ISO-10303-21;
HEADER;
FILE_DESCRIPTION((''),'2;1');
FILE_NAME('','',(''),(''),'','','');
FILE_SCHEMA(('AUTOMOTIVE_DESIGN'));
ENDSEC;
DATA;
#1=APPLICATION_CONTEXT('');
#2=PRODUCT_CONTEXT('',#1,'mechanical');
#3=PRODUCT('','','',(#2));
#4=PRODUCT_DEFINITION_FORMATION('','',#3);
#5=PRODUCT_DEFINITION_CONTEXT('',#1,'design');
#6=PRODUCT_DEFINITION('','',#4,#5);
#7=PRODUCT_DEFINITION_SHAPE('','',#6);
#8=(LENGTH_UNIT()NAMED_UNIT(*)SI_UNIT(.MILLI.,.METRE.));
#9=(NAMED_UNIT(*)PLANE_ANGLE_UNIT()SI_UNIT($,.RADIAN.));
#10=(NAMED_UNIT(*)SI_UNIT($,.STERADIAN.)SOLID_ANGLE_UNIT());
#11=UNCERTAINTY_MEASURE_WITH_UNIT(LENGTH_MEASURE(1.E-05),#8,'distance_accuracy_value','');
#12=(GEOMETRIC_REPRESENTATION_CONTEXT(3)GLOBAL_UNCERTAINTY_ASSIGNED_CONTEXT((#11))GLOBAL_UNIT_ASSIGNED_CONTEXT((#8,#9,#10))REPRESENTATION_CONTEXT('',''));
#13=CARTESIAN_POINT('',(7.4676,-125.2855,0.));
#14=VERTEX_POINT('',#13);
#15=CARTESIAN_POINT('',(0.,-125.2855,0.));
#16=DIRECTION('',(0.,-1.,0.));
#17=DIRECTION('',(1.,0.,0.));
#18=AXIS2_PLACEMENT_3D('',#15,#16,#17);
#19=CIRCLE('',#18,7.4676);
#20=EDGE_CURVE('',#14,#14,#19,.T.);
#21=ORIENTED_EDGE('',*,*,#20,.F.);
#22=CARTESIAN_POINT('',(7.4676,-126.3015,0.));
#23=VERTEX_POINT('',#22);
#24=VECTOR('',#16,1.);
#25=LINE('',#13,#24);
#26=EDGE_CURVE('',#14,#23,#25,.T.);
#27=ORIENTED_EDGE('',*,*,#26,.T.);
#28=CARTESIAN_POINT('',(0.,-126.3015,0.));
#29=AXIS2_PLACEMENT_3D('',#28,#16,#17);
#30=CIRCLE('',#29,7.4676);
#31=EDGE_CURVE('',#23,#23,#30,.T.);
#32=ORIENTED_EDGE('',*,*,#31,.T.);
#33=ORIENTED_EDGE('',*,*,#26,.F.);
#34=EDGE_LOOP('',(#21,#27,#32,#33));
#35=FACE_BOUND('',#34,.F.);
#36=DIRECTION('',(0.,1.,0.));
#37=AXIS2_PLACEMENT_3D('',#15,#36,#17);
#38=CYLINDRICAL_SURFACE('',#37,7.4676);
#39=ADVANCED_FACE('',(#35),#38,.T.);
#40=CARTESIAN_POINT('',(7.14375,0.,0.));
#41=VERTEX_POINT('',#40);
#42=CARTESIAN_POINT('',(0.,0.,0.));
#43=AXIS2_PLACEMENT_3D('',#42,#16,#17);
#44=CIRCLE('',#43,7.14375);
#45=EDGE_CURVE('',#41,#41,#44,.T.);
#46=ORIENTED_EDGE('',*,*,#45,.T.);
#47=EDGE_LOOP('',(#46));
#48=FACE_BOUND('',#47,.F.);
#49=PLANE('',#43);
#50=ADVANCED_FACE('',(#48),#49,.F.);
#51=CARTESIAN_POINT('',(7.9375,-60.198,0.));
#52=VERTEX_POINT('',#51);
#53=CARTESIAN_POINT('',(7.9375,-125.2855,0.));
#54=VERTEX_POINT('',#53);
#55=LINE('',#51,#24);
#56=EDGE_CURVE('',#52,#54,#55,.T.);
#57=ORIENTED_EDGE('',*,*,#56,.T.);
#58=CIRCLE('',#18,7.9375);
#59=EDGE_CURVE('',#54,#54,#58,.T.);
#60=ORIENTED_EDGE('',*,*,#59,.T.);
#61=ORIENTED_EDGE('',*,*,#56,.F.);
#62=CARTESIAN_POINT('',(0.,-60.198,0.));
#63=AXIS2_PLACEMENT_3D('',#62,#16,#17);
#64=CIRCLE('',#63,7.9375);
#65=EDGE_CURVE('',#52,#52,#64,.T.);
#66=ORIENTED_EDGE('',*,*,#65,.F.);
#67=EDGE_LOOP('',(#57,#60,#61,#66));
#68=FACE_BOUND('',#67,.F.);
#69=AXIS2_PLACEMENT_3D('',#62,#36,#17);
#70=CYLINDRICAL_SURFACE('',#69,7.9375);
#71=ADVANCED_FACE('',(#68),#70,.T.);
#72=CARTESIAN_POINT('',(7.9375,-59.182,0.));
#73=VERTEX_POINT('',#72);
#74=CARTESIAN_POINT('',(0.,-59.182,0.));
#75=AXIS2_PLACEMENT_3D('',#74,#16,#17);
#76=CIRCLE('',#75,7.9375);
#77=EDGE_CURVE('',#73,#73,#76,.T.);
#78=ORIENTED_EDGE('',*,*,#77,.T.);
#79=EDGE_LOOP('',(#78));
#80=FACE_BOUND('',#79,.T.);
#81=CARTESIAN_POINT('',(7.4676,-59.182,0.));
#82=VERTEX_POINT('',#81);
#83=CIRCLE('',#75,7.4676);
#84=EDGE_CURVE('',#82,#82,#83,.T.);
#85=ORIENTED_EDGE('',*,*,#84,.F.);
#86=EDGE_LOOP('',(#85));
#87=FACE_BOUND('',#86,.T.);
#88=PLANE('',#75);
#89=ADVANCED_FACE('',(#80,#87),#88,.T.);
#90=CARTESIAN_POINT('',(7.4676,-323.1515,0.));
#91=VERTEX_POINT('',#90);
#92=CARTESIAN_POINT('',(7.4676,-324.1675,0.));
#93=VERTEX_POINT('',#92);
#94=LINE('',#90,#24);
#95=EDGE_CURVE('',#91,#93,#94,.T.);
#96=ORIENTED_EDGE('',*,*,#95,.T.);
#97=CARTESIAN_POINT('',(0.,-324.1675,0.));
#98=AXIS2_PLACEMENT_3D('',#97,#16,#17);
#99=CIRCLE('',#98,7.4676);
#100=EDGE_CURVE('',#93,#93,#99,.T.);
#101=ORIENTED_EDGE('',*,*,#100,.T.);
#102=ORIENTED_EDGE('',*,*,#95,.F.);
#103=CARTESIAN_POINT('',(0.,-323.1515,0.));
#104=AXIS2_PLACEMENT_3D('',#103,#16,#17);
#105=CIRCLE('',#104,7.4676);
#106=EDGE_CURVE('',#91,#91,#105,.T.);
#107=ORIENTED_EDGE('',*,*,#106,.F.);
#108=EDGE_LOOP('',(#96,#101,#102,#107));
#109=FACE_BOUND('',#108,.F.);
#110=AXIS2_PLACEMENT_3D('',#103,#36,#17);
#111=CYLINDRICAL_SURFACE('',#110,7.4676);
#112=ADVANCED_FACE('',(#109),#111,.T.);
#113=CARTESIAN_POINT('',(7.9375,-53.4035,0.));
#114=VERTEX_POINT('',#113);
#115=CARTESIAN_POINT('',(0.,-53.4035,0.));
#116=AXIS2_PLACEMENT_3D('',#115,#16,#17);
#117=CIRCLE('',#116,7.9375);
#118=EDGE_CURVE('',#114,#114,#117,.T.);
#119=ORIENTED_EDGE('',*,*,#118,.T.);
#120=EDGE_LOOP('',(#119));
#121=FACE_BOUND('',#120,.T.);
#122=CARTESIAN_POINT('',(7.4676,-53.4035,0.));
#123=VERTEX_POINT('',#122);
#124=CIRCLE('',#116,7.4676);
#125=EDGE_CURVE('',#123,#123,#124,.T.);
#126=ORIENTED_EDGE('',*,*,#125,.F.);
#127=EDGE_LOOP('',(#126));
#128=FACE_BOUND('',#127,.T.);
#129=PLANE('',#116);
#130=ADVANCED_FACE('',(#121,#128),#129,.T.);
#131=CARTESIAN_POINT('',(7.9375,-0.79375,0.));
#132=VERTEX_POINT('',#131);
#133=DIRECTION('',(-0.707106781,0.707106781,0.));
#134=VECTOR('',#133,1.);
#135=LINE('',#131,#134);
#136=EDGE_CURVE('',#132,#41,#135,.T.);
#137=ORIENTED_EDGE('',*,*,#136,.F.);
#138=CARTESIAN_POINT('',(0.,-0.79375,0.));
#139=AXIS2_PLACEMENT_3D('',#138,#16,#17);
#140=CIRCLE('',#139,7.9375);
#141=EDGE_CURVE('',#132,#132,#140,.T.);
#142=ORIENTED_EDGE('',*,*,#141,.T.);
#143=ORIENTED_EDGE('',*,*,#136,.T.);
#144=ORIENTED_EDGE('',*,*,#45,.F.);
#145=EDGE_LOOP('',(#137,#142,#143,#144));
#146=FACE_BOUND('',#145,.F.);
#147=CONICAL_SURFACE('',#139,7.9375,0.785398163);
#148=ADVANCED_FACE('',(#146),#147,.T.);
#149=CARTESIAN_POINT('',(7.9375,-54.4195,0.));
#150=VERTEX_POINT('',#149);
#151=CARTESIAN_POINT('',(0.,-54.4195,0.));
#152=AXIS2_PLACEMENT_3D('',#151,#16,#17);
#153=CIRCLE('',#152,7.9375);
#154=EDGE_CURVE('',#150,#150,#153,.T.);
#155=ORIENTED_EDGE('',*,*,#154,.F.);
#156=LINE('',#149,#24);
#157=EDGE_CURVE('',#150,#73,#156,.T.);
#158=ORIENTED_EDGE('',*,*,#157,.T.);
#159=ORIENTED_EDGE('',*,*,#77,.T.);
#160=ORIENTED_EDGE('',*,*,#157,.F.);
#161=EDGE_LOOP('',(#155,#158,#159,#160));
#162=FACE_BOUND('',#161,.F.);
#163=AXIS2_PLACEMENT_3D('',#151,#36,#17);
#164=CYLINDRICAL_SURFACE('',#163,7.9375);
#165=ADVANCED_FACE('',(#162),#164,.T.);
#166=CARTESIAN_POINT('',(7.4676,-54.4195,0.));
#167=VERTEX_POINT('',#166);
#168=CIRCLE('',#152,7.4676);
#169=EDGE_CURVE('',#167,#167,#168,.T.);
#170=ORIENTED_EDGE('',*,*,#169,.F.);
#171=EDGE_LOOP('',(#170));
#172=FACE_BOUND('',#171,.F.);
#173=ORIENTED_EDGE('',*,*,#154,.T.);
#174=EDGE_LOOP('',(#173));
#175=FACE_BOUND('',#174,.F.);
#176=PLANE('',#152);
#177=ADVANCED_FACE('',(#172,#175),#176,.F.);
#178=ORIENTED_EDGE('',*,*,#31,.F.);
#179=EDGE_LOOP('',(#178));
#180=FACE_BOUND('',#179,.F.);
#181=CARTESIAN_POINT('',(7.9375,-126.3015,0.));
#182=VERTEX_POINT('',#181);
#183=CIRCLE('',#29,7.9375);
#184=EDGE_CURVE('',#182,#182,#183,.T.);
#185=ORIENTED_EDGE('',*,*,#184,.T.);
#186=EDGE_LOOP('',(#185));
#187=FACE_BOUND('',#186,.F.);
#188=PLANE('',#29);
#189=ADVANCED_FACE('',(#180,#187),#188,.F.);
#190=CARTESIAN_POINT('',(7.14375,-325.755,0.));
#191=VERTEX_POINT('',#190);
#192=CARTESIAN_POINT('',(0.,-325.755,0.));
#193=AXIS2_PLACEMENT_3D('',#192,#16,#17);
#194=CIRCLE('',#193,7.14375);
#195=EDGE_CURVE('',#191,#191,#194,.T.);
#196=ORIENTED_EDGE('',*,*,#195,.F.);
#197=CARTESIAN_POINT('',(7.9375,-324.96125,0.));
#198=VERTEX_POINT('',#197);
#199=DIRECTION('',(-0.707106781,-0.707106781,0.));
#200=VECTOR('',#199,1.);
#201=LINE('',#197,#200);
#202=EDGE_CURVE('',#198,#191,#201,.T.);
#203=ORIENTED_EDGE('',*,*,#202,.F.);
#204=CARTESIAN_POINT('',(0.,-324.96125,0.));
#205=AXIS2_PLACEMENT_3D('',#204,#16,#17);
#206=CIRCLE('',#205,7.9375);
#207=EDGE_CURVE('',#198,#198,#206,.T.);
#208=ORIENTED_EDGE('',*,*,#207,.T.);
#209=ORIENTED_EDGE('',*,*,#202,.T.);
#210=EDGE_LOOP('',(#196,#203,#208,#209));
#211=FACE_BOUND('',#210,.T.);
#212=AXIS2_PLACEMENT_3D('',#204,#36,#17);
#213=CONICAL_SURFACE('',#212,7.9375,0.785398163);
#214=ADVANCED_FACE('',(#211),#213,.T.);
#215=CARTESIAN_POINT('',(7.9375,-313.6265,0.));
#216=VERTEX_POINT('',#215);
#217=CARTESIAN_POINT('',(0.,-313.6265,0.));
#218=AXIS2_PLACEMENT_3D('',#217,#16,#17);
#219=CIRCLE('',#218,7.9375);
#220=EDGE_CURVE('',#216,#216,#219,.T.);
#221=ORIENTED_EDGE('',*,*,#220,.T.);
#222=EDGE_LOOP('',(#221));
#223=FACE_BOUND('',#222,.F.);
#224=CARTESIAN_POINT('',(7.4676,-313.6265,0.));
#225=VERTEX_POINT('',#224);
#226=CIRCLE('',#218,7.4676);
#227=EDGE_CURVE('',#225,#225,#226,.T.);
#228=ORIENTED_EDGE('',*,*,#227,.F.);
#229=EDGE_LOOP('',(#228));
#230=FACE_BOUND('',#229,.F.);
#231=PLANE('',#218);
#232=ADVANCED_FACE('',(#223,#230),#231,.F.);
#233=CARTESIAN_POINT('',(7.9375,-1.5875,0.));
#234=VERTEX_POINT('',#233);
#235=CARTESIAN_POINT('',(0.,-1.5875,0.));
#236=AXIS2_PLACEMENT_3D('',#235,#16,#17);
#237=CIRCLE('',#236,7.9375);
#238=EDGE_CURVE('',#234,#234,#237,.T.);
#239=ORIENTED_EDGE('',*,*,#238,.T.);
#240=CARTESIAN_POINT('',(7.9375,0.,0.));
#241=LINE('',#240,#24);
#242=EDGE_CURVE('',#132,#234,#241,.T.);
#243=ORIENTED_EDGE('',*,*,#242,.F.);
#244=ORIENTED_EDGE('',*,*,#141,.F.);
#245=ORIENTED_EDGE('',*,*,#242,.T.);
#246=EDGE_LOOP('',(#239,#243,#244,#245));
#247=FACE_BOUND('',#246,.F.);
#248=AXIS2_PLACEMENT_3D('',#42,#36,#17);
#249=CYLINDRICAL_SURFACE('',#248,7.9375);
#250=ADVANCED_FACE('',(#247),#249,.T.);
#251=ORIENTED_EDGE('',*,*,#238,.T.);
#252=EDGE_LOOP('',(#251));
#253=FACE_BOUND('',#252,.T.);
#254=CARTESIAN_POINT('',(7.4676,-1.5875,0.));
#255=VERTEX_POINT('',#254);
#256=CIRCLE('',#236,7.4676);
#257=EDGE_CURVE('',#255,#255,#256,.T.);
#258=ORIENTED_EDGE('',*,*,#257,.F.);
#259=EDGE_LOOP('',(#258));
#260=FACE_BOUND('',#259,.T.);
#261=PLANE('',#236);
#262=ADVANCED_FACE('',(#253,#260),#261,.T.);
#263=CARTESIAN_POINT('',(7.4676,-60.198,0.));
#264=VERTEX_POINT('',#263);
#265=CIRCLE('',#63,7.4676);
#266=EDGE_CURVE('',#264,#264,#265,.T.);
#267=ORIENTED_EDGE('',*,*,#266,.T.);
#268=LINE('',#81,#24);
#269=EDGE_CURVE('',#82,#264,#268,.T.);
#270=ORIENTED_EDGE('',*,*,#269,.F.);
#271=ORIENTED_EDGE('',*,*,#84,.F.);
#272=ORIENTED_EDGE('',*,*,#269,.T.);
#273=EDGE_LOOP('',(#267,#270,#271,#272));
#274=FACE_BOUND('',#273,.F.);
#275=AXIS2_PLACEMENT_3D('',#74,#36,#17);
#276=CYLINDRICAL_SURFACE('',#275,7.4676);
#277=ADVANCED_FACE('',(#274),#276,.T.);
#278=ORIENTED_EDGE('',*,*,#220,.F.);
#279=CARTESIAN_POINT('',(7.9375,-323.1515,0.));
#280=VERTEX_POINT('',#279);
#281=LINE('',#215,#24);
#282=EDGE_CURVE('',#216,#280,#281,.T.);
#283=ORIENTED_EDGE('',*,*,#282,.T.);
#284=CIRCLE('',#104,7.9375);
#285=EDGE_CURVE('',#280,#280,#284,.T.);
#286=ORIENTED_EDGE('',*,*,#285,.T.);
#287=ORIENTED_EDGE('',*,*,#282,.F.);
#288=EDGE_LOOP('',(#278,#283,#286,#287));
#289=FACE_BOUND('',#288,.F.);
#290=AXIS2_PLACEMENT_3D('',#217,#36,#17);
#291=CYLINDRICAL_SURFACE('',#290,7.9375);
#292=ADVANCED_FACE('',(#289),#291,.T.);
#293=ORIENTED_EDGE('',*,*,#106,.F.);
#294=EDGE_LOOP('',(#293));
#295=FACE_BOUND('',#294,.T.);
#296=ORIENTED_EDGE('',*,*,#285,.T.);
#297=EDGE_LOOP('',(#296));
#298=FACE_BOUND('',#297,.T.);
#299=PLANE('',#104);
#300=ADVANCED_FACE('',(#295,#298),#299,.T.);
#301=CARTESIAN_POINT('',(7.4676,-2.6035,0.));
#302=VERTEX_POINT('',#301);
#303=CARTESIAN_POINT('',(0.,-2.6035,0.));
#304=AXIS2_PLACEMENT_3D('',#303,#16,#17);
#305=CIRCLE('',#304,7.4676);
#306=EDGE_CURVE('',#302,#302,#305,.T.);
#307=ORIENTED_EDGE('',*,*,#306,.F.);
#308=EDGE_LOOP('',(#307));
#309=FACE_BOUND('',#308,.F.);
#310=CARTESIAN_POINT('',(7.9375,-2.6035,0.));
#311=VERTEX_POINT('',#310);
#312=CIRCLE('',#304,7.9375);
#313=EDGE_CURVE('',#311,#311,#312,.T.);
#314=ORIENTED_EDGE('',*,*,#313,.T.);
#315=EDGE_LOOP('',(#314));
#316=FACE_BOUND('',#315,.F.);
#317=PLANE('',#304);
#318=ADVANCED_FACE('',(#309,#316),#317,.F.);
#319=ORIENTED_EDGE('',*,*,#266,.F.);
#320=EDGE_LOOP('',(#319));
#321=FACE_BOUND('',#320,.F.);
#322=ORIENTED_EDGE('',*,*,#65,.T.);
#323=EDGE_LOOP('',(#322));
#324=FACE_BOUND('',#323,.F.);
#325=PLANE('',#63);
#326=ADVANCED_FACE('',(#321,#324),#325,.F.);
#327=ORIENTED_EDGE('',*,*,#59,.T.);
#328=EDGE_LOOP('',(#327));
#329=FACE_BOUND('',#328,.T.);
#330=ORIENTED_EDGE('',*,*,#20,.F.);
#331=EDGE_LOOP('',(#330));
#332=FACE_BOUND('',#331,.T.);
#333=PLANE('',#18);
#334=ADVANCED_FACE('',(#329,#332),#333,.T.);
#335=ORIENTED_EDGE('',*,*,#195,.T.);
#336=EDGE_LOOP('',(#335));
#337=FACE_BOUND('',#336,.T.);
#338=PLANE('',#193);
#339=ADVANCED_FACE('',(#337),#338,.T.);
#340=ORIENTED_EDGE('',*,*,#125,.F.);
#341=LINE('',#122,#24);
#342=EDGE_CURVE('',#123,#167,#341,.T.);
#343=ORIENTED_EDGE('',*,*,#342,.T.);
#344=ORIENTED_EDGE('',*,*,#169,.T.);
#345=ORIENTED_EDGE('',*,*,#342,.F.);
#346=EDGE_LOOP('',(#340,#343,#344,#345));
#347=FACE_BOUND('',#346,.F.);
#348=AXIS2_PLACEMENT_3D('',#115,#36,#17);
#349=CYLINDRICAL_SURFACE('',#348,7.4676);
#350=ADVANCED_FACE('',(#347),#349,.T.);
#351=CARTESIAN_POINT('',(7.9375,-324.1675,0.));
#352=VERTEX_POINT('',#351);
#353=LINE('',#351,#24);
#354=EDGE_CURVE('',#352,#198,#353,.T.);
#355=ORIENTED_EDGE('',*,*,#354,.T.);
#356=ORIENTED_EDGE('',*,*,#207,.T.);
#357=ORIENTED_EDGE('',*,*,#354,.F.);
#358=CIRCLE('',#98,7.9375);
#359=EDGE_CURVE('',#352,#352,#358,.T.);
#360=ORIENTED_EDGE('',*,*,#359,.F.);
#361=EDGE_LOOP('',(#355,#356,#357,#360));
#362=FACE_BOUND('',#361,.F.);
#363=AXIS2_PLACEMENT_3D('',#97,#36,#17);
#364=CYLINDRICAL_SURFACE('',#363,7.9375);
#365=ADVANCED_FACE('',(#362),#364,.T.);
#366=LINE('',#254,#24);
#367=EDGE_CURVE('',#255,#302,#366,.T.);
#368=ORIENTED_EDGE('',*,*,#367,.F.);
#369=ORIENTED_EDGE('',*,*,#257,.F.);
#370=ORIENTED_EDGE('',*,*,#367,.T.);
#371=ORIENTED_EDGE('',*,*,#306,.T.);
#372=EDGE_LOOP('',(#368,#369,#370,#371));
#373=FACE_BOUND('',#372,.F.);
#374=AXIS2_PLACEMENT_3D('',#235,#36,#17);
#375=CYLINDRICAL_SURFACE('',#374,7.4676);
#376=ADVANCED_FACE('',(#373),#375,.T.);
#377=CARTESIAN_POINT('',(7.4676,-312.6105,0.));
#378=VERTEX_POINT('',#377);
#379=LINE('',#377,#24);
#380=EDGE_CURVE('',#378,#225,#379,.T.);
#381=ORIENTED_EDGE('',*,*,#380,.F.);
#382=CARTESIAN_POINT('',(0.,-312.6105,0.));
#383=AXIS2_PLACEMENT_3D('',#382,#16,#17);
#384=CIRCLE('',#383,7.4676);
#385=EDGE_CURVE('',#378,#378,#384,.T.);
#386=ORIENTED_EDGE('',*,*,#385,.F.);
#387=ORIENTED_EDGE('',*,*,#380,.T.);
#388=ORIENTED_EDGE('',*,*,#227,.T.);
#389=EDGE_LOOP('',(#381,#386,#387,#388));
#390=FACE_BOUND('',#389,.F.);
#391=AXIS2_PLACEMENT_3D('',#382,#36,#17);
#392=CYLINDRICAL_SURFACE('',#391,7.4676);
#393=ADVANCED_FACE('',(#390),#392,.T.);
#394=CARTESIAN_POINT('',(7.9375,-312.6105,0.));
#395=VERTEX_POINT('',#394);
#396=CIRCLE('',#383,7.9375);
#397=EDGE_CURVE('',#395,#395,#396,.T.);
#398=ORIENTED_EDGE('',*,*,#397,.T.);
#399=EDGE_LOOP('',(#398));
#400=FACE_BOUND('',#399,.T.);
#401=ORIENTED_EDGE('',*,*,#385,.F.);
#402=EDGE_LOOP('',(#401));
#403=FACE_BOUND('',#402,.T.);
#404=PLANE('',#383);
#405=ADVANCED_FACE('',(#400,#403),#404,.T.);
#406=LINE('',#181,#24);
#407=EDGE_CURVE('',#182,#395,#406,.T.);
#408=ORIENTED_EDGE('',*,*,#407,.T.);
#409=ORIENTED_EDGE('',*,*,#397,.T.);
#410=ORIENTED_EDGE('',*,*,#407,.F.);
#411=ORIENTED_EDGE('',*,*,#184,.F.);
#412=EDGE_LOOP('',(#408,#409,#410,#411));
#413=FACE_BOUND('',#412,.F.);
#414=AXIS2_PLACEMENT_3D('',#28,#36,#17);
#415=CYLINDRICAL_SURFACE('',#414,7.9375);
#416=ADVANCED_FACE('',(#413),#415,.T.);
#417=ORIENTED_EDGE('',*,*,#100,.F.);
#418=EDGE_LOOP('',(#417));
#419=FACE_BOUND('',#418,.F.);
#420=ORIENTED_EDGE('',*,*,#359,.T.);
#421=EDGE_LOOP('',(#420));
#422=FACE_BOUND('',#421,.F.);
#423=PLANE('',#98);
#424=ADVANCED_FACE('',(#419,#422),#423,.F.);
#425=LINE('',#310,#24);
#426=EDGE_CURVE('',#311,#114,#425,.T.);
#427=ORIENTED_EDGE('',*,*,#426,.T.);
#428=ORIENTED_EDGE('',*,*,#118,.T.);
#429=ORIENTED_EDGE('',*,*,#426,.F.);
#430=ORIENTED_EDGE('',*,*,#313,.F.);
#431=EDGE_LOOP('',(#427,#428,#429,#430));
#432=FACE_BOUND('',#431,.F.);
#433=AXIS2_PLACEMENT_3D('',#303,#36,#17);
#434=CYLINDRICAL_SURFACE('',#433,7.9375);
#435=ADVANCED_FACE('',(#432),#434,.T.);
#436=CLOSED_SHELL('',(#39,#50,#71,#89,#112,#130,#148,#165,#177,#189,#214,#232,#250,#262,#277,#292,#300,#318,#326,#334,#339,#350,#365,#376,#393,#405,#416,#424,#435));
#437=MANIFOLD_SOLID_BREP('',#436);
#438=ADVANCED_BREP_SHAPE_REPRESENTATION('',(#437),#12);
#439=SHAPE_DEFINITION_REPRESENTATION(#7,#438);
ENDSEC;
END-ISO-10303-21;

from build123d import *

# Parameters (mm, degrees)
F0_R      = 7.9375
F1_DEPTH  = 1.5875
F2_R      = 7.4676
F3_DEPTH  = 1.016
F4_R      = 7.9375
F5_DEPTH  = 50.8
F6_R      = 7.4676
F7_DEPTH  = 1.016
F8_R      = 7.9375
F9_DEPTH  = 4.7625
F10_R     = 7.4676
F11_DEPTH = 1.016
F12_R     = 7.9375
F13_DEPTH = 65.0875
F14_R     = 7.4676
F15_DEPTH = 1.016
F16_R     = 7.9375
F17_DEPTH = 186.309
F18_R     = 7.4676
F19_DEPTH = 1.016
F20_R     = 7.9375
F21_DEPTH = 9.525
F22_R     = 7.4676
F23_DEPTH = 1.016
F24_R     = 7.9375
F25_DEPTH = 1.5875
F26_SIZE  = 0.79375


with BuildPart() as f1:
    # F0 (on Front) → F1 (new body)
    with BuildSketch(Plane.XZ):
        Circle(F0_R)
    extrude(amount=F1_DEPTH)

    # F2 (on face) → F3 (join)
    with BuildSketch(Plane.XZ.offset(1.5875)):
        Circle(F2_R)
    extrude(amount=F3_DEPTH)

    # F4 (on face) → F5 (join)
    with BuildSketch(Plane.XZ.offset(2.6035)):
        Circle(F4_R)
    extrude(amount=F5_DEPTH)

    # F6 (on face) → F7 (join)
    with BuildSketch(Plane.XZ.offset(53.4035)):
        Circle(F6_R)
    extrude(amount=F7_DEPTH)

    # F8 (on face) → F9 (join)
    with BuildSketch(Plane.XZ.offset(54.4195)):
        Circle(F8_R)
    extrude(amount=F9_DEPTH)

    # F10 (on face) → F11 (join)
    with BuildSketch(Plane.XZ.offset(59.182)):
        Circle(F10_R)
    extrude(amount=F11_DEPTH)

    # F12 (on face) → F13 (join)
    with BuildSketch(Plane.XZ.offset(60.198)):
        Circle(F12_R)
    extrude(amount=F13_DEPTH)

    # F14 (on face) → F15 (join)
    with BuildSketch(Plane.XZ.offset(125.2855)):
        Circle(F14_R)
    extrude(amount=F15_DEPTH)

    # F16 (on face) → F17 (join)
    with BuildSketch(Plane.XZ.offset(126.3015)):
        Circle(F16_R)
    extrude(amount=F17_DEPTH)

    # F18 (on face) → F19 (join)
    with BuildSketch(Plane.XZ.offset(312.6105)):
        Circle(F18_R)
    extrude(amount=F19_DEPTH)

    # F20 (on face) → F21 (join)
    with BuildSketch(Plane.XZ.offset(313.6265)):
        Circle(F20_R)
    extrude(amount=F21_DEPTH)

    # F22 (on face) → F23 (join)
    with BuildSketch(Plane.XZ.offset(323.1515)):
        Circle(F22_R)
    extrude(amount=F23_DEPTH)

    # F24 (on face) → F25 (join)
    with BuildSketch(Plane.XZ.offset(324.1675)):
        Circle(F24_R)
    extrude(amount=F25_DEPTH)

    # F26
    f26_edges = [f1.edges().sort_by_distance(p)[0] for p in [
        (-7.9375, -325.755, 0),
        (-7.9375, 0, 0),
    ]]
    chamfer(f26_edges, length=F26_SIZE)


solid = f1.part
